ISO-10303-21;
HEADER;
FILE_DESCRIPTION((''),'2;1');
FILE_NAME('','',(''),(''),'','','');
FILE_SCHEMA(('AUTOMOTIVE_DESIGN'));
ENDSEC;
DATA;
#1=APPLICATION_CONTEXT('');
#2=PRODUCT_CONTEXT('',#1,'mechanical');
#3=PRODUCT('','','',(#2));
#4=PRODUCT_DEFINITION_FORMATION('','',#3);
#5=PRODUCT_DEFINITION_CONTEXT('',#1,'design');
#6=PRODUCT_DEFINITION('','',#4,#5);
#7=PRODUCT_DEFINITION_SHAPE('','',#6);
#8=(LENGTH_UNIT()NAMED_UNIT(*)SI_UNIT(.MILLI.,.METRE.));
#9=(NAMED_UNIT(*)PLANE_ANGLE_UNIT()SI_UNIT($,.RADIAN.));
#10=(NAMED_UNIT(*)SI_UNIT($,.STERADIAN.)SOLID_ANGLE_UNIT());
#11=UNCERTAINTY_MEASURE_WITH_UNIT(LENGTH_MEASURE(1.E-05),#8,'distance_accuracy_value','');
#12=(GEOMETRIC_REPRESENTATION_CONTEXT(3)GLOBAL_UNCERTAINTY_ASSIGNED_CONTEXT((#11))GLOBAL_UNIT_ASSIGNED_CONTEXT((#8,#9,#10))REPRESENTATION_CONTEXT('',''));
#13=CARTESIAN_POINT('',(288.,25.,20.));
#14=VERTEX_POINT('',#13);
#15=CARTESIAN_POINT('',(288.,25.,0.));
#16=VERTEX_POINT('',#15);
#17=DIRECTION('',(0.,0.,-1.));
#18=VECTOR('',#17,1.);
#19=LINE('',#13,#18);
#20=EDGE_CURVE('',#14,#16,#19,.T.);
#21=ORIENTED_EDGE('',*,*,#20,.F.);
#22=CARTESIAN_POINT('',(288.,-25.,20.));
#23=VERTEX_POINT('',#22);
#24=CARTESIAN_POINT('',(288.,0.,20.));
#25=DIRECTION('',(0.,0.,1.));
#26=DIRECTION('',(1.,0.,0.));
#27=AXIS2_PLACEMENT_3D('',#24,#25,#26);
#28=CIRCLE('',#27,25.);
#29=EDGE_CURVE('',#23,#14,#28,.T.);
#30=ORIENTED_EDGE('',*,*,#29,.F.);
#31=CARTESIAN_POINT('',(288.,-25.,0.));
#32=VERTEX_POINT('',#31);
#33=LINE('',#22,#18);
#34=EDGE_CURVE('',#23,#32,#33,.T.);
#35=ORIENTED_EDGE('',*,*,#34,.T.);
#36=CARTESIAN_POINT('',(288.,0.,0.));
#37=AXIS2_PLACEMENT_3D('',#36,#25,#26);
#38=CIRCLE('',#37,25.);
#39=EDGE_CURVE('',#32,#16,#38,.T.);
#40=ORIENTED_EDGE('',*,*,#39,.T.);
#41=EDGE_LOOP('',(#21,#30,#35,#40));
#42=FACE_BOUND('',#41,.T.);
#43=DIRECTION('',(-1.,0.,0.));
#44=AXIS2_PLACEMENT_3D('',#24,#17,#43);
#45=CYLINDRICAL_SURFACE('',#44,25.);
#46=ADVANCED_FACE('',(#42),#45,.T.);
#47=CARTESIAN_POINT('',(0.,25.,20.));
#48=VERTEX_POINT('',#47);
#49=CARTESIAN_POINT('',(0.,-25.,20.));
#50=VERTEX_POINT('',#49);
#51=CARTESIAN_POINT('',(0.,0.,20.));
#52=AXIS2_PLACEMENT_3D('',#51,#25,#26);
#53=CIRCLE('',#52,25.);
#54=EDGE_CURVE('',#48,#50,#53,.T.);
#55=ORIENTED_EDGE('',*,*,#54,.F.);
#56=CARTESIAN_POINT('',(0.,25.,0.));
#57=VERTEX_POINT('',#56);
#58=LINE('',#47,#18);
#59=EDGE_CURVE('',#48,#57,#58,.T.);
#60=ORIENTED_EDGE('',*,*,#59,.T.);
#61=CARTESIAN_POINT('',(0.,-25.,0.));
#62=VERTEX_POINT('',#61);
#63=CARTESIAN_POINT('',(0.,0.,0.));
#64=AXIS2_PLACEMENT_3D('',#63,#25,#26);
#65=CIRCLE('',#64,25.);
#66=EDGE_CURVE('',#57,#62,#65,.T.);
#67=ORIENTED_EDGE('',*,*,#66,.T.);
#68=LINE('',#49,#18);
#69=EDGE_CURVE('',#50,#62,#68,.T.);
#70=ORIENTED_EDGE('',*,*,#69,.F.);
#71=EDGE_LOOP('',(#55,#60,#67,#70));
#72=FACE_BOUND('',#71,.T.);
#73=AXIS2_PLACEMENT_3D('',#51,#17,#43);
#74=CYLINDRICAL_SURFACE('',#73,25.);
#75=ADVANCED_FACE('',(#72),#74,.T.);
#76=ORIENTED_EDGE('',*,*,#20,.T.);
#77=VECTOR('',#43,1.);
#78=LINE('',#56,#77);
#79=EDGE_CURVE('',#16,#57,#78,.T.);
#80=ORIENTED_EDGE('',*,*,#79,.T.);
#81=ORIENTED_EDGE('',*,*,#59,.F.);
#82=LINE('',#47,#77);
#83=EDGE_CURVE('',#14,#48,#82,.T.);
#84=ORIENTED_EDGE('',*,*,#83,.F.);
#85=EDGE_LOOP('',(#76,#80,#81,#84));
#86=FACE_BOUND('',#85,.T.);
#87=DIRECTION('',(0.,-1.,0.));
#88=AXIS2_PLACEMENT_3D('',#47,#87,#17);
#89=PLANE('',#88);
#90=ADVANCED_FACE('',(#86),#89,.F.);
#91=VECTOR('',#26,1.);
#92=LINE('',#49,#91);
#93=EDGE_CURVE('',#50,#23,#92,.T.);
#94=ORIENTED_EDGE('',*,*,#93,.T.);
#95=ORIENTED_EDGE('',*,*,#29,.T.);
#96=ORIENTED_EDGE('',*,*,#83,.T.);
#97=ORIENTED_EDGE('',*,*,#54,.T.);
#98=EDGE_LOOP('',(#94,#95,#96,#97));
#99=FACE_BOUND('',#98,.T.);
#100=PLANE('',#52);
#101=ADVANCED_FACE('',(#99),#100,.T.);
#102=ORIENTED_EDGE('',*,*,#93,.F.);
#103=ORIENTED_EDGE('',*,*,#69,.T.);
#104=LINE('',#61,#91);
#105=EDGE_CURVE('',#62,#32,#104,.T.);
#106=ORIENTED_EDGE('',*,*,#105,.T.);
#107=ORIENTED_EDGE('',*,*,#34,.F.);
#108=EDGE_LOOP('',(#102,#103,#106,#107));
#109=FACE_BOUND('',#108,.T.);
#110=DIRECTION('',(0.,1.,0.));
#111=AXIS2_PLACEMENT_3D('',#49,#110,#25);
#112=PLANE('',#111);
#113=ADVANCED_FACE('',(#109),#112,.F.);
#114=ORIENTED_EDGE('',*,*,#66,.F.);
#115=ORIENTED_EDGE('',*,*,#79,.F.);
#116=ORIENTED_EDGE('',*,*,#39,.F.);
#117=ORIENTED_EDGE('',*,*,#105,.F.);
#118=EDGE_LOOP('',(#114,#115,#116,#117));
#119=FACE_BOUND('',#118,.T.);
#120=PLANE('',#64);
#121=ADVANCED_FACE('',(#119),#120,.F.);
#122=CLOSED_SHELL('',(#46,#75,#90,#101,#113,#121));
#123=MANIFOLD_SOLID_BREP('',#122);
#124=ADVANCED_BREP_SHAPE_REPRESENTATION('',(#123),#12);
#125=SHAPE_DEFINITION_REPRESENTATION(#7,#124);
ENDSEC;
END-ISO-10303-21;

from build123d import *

# Parameters (mm, degrees)
EXTRUDE_1_DEPTH = 20


with BuildPart() as part:
    # 草图1 → 凸台-拉伸1 (new body)
    with BuildSketch(Plane.XY):
        with BuildLine():
            Line((0, 25), (288, 25))
            ThreePointArc((288, 25), (313, 0), (288, -25))
            Line((288, -25), (0, -25))
            ThreePointArc((0, -25), (-25, 0), (0, 25))
        make_face()
    extrude(amount=EXTRUDE_1_DEPTH)


solid = part.part
